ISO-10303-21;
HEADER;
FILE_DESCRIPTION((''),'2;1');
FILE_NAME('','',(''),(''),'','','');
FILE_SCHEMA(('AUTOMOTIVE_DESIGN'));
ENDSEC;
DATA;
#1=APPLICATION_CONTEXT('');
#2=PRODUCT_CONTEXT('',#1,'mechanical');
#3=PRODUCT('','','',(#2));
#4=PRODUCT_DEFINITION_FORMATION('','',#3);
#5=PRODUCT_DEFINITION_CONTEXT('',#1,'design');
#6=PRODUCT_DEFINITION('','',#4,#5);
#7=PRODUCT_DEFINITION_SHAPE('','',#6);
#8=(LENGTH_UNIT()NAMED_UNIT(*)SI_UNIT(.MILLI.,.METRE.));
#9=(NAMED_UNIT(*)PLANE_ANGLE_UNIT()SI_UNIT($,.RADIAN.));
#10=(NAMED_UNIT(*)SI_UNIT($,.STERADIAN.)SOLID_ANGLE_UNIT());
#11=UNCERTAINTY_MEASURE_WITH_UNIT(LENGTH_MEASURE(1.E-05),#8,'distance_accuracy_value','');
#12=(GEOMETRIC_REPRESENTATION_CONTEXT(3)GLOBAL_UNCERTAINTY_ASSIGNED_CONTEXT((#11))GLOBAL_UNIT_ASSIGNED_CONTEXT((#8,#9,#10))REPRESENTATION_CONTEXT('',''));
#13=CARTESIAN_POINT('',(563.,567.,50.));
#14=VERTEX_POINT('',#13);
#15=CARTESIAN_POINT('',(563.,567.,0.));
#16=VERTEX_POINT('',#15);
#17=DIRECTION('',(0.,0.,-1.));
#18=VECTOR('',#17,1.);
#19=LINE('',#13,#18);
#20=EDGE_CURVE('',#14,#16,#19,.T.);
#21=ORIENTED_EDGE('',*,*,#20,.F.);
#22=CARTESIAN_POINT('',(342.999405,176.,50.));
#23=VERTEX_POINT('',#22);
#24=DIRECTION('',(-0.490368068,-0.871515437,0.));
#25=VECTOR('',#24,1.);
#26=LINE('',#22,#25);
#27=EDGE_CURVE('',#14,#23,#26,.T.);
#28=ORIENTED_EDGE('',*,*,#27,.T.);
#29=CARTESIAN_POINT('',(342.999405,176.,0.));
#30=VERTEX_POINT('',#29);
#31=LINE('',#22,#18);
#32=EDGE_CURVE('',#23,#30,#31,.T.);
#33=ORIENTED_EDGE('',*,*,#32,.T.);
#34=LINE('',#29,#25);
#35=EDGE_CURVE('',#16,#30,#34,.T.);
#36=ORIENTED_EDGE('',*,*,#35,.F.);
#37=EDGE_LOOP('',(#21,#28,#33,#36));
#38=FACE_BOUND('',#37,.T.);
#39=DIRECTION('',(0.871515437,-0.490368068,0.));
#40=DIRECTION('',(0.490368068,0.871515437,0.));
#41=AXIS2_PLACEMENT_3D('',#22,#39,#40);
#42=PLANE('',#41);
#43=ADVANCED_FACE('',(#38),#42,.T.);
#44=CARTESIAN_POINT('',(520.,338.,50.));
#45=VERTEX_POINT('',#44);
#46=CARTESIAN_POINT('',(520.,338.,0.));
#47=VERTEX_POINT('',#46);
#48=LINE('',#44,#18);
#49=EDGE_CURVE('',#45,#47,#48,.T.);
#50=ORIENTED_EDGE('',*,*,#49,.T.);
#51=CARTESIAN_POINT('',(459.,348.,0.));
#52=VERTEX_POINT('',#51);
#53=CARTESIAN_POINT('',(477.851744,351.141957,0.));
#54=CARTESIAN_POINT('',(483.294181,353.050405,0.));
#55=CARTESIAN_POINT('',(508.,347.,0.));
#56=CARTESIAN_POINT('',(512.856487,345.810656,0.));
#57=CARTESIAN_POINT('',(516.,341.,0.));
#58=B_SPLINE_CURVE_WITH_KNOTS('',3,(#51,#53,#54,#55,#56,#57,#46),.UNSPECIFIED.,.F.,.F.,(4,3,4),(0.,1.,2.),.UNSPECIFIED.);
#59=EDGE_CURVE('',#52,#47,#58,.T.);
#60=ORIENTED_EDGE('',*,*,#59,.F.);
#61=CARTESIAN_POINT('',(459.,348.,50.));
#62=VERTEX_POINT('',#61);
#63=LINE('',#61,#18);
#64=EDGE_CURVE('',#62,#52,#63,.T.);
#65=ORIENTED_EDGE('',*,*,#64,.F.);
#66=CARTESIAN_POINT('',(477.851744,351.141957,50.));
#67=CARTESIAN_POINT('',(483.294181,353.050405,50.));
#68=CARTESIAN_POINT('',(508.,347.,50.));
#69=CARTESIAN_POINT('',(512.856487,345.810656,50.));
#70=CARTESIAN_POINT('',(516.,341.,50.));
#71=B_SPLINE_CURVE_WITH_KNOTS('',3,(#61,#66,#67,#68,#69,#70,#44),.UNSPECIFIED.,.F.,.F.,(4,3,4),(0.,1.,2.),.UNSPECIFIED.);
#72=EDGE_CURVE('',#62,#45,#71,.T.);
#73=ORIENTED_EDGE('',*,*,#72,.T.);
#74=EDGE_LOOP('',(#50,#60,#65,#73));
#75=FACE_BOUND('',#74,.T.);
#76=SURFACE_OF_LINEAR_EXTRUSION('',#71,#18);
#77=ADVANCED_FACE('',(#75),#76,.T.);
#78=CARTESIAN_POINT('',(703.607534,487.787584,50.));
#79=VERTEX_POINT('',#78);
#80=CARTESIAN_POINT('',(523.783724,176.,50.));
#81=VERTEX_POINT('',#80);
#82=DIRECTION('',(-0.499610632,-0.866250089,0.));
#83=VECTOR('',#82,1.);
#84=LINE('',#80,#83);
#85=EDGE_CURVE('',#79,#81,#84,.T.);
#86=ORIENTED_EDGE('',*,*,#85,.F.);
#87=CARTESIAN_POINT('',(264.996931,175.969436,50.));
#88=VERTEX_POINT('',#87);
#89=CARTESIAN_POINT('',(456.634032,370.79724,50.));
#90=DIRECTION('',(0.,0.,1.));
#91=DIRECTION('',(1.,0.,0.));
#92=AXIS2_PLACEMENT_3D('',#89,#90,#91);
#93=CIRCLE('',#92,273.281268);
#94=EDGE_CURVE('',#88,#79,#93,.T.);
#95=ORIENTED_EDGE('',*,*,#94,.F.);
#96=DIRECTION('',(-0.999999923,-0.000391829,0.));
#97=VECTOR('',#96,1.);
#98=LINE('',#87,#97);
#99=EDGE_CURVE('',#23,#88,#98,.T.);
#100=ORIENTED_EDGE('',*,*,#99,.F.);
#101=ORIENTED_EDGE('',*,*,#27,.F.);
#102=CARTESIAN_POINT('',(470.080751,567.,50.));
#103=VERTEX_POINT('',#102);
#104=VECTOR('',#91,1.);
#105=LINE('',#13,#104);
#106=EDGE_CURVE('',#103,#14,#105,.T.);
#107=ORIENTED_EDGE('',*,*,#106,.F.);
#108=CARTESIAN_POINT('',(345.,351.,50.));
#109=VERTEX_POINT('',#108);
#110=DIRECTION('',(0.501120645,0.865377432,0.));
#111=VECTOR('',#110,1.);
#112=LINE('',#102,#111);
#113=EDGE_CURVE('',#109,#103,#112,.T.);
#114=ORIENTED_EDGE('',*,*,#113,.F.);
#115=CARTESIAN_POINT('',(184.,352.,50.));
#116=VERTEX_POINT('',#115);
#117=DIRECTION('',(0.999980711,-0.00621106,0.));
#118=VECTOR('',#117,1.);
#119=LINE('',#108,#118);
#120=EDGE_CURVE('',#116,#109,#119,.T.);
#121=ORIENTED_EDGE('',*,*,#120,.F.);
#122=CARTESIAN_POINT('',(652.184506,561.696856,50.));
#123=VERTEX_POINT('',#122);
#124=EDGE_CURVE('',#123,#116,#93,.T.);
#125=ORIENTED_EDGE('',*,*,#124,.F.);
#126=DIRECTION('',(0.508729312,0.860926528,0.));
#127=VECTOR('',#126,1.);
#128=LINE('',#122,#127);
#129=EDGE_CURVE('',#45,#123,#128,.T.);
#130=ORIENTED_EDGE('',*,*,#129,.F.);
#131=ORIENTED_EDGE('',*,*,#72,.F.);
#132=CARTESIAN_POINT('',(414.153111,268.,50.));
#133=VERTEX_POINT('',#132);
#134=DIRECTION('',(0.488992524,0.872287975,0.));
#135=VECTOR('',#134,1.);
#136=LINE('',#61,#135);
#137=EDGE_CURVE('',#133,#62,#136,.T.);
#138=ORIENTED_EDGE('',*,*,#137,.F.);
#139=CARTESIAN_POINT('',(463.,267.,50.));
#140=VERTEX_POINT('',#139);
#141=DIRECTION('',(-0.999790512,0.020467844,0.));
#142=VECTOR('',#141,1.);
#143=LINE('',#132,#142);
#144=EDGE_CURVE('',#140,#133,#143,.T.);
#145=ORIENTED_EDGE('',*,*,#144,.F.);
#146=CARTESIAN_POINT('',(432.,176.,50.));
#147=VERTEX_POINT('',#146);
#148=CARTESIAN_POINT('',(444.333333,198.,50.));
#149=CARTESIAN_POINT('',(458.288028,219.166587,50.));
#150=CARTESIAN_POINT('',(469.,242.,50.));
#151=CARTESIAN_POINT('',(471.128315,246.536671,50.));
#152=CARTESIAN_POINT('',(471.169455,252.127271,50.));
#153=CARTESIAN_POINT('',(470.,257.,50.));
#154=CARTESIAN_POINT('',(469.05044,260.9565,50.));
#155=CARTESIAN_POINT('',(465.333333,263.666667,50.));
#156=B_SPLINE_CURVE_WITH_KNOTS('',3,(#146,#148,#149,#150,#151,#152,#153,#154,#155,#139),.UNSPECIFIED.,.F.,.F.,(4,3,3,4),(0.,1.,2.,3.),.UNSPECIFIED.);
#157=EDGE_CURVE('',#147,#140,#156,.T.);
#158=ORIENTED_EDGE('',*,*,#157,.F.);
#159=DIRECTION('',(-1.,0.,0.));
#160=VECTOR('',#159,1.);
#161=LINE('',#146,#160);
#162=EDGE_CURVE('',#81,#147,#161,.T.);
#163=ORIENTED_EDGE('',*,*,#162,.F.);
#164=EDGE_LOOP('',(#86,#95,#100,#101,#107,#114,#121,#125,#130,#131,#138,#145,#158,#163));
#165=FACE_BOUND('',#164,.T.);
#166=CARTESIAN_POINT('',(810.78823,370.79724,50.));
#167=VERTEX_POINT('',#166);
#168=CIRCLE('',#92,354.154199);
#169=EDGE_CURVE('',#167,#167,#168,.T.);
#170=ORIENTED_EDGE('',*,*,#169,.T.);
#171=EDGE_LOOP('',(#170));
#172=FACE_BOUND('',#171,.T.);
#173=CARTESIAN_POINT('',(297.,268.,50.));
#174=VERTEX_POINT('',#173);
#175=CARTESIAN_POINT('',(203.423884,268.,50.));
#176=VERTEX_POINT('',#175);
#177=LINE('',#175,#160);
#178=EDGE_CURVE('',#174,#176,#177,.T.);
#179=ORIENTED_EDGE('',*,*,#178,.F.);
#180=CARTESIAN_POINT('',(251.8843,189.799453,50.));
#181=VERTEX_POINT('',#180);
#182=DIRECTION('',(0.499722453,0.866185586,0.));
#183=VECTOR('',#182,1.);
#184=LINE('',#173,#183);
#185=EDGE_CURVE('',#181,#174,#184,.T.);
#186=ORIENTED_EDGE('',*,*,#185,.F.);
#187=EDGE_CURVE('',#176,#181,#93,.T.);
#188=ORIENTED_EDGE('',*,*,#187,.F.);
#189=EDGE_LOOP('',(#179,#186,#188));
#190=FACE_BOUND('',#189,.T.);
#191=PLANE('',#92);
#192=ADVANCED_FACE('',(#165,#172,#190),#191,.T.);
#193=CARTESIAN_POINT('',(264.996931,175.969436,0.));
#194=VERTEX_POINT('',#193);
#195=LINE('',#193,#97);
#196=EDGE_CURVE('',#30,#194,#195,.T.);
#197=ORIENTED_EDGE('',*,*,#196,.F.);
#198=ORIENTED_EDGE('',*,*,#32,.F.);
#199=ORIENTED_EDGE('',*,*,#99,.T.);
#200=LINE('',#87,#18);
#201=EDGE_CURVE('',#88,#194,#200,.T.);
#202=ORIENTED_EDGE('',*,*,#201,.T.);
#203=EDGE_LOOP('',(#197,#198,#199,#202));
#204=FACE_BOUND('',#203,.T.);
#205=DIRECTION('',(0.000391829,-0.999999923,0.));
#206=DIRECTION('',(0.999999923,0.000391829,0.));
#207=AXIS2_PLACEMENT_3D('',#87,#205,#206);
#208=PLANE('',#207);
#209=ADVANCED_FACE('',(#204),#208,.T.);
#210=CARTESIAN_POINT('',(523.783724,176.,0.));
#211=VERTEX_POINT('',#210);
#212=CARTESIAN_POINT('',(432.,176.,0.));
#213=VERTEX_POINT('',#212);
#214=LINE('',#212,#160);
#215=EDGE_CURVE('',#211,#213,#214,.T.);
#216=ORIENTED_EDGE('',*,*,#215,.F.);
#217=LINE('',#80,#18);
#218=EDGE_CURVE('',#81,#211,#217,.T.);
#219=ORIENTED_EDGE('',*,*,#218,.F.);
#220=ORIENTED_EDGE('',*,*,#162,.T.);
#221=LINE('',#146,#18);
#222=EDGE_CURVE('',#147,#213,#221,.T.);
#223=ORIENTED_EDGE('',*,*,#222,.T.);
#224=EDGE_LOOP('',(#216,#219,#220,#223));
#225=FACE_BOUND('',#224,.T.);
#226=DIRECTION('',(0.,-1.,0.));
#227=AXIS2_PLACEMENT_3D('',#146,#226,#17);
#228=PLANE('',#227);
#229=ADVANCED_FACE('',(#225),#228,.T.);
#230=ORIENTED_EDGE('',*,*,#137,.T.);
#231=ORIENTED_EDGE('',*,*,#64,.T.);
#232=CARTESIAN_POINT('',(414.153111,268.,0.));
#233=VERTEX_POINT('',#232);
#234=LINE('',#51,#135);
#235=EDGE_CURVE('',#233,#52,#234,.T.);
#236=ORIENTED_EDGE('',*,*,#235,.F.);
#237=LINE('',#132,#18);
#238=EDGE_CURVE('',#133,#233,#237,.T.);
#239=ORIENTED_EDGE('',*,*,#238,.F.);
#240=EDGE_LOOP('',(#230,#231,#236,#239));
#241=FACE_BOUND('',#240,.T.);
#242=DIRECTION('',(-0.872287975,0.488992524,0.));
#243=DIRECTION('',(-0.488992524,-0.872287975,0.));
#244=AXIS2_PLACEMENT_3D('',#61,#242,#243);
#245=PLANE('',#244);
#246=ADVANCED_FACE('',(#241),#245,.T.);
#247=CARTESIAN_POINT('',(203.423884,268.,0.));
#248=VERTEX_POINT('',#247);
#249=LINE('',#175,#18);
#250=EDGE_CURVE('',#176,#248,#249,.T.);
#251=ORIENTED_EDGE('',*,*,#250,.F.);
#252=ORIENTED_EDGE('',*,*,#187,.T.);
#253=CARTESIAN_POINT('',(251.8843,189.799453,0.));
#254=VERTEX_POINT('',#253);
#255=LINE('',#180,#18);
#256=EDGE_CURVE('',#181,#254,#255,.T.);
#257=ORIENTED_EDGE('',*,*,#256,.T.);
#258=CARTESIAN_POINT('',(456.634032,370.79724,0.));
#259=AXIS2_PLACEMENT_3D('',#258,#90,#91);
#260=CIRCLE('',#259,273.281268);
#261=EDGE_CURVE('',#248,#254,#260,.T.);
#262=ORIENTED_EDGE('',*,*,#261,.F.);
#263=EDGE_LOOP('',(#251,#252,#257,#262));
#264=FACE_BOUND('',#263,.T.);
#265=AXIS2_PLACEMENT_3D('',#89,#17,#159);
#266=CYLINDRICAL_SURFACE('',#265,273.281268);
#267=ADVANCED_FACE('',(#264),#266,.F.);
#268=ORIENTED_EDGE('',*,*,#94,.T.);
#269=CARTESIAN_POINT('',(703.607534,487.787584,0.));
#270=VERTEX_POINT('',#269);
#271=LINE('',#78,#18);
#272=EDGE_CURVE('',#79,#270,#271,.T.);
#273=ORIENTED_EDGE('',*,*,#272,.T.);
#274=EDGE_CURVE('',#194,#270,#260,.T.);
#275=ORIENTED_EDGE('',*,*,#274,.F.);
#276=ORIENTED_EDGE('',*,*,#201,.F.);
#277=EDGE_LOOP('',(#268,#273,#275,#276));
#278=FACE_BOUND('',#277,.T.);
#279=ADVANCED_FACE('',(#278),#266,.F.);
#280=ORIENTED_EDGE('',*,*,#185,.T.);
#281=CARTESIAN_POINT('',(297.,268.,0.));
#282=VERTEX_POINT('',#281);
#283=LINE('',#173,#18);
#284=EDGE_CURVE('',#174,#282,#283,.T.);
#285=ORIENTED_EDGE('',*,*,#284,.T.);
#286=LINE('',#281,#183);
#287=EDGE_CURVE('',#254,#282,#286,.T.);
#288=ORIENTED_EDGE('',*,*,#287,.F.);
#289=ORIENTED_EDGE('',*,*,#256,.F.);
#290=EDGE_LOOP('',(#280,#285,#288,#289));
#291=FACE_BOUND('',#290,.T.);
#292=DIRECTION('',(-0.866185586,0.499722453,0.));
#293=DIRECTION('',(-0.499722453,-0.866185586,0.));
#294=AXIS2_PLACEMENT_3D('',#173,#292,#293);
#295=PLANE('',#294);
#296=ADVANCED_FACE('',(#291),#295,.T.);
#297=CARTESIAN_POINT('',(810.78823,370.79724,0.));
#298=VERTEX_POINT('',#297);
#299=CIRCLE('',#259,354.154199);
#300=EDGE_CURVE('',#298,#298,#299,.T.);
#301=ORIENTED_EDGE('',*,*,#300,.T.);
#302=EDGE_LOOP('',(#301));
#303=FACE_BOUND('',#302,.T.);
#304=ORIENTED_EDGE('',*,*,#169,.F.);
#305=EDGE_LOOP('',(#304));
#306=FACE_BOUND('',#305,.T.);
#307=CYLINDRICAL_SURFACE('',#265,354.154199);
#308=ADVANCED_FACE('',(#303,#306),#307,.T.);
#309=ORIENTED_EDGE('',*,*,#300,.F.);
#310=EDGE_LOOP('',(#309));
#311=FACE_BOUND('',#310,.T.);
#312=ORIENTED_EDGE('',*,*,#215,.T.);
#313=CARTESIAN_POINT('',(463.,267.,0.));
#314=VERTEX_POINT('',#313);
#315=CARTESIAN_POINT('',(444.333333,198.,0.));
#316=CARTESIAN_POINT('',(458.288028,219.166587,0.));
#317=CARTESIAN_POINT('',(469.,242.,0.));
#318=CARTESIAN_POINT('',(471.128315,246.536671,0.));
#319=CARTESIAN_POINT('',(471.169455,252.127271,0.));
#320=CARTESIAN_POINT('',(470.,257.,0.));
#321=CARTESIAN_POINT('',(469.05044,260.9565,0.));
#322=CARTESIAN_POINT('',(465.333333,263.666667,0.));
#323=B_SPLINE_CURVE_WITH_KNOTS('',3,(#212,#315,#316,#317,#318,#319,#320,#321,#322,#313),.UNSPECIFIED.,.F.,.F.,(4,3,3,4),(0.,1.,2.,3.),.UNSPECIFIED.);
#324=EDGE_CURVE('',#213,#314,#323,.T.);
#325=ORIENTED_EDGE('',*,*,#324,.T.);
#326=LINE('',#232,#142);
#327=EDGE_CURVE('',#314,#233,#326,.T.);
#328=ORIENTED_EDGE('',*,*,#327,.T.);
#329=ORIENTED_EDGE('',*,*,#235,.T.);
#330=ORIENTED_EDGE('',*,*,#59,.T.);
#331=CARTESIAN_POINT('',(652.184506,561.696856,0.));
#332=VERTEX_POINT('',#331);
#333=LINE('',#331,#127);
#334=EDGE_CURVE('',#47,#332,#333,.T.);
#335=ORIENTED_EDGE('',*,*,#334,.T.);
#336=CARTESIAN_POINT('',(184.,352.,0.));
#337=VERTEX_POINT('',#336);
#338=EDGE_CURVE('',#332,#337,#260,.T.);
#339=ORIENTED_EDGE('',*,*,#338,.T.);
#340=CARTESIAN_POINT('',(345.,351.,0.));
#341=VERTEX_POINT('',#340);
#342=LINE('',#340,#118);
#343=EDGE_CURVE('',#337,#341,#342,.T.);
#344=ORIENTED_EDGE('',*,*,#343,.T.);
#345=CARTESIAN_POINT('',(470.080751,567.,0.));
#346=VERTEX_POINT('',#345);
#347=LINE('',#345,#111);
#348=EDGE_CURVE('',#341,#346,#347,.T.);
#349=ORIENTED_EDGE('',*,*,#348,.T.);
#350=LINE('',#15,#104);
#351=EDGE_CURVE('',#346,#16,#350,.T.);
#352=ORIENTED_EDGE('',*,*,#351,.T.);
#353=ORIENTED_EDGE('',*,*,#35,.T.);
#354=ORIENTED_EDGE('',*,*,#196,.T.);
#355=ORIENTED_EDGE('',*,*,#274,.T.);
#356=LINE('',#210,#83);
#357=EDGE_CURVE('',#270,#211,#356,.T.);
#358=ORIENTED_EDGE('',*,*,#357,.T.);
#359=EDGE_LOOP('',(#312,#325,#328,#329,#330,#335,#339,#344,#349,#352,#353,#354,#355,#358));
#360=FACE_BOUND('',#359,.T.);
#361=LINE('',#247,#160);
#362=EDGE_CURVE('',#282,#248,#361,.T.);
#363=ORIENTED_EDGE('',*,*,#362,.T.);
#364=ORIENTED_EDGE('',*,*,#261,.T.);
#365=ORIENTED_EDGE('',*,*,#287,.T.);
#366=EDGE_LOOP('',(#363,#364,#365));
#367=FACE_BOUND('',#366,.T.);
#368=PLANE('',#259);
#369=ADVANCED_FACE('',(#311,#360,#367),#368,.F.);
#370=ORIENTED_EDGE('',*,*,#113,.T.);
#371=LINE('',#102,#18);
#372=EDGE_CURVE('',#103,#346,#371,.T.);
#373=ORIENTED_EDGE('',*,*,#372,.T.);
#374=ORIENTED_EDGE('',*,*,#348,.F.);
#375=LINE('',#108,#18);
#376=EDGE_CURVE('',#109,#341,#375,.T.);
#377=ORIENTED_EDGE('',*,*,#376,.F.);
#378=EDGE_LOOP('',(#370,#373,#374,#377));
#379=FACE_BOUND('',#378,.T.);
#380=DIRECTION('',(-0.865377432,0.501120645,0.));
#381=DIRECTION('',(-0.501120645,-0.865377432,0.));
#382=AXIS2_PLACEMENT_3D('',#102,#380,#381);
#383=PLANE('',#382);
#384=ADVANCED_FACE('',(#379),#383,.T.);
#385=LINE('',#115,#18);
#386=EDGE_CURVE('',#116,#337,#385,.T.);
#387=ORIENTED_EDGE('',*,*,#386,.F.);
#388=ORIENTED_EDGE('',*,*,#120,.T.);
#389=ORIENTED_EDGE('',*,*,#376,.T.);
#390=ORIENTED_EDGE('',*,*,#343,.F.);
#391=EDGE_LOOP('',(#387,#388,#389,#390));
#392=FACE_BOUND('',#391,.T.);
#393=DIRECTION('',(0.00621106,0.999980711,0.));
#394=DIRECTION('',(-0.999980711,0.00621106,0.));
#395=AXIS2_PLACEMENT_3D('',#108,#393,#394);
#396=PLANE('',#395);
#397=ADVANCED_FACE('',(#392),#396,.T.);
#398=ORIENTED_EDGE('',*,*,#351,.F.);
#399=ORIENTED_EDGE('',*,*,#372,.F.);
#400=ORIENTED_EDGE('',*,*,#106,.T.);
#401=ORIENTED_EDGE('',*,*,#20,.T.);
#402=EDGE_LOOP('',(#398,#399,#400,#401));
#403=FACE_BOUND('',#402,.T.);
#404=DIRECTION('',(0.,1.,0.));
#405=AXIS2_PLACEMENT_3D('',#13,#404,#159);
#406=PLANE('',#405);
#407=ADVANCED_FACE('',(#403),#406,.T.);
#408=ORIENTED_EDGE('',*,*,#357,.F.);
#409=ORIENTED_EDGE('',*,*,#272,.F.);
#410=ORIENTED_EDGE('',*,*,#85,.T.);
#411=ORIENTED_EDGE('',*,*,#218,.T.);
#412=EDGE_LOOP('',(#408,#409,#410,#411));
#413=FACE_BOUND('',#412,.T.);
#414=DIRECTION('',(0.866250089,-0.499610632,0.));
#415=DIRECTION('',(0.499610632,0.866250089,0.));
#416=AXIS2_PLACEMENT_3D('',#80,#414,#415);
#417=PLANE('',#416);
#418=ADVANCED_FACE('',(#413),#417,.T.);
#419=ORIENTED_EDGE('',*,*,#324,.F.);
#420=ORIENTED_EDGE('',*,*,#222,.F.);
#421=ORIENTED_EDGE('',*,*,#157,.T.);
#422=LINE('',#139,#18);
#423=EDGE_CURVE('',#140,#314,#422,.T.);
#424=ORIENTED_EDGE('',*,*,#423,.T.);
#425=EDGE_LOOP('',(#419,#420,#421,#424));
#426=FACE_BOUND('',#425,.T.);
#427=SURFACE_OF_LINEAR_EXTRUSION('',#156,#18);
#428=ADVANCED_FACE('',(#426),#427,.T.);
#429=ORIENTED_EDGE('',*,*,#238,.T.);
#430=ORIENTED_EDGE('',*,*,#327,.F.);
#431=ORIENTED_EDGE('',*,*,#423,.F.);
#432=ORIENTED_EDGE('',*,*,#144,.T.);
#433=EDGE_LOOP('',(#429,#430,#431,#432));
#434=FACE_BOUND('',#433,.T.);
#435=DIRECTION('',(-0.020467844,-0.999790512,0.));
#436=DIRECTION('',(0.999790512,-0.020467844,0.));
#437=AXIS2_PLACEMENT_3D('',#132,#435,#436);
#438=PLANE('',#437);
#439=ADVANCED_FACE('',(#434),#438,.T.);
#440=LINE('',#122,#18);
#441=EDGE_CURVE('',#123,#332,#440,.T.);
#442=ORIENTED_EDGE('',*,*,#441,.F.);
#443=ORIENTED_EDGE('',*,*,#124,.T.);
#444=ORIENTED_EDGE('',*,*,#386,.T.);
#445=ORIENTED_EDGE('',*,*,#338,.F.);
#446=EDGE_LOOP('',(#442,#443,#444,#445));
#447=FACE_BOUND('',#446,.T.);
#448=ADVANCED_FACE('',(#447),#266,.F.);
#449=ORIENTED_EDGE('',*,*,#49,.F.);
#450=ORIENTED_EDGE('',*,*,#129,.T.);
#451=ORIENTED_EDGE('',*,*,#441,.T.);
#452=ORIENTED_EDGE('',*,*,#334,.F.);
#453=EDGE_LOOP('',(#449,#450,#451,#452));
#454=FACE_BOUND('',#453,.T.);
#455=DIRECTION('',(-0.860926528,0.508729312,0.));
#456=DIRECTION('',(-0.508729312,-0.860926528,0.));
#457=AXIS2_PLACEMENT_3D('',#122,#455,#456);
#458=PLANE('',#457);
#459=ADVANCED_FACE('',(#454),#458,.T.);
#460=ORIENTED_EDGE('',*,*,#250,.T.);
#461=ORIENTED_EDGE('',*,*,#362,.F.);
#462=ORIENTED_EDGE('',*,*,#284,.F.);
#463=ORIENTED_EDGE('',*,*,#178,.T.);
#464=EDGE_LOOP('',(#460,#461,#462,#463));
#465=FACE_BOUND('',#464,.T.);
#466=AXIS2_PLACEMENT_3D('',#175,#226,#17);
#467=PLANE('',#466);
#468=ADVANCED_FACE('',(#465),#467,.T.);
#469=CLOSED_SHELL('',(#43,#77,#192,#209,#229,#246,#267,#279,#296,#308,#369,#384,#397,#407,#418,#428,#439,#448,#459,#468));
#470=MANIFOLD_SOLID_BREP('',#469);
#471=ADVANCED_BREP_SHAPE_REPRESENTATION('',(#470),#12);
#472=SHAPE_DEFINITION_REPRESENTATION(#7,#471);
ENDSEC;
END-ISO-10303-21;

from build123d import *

# Parameters (mm, degrees)
SKETCH1_R           = 354.154198638
BOSS_EXTRUDE4_DEPTH = 50


with BuildPart() as part:
    # Sketch1 → Boss-Extrude4 (new body)
    with BuildSketch(Plane.XY):
        with Locations((456.634031844, 370.797239723)):
            Circle(SKETCH1_R)
        with BuildLine():
            Line((652.184505988, 561.696856288), (520, 338))
            add(Edge.make_bspline(
                [(520, 338), (516, 341), (512.856486558, 345.810656353), (508, 347), (483.294181497, 353.050404531), (477.851743634, 351.141957272), (459, 348)],
                knots=[0, 0, 0, 0, 1, 1, 1, 2, 2, 2, 2], degree=3))
            Line((459, 348), (414.15311107, 268.000000001))
            Line((414.15311107, 268.000000001), (463, 267))
            add(Edge.make_bspline(
                [(463, 267), (465.333333333, 263.666666667), (469.050440025, 260.956499894), (470, 257), (471.16945492, 252.127271165), (471.128314939, 246.536671316), (469, 242), (458.288028235, 219.166586501), (444.333333333, 198), (432, 176)],
                knots=[0, 0, 0, 0, 1, 1, 1, 2, 2, 2, 3, 3, 3, 3], degree=3))
            Line((432, 176), (523.783724069, 176))
            Line((523.783724069, 176), (703.607534398, 487.787583679))
            ThreePointArc((703.607534398, 487.787583679), (614.979125151, 148.065376335), (264.996930573, 175.96943637))
            Line((264.996930573, 175.96943637), (342.999405137, 176))
            Line((342.999405137, 176), (562.999999995, 567.000000012))
            Line((562.999999995, 567.000000012), (470.080751257, 567.000000012))
            Line((470.080751257, 567.000000012), (344.999999995, 351.000000012))
            Line((344.999999995, 351.000000012), (183.999999995, 352.000000012))
            ThreePointArc((183.999999995, 352.000000012), (344.926101955, 620.204516968), (652.184505988, 561.696856288))
        make_face(mode=Mode.SUBTRACT)
        with BuildLine():
            Line((203.423883848, 268.000000001), (297, 268.000000001))
            Line((297, 268.000000001), (251.884299831, 189.799453042))
            ThreePointArc((251.884299831, 189.799453042), (224.339726467, 226.845833922), (203.423883848, 268.000000001))
        make_face(mode=Mode.SUBTRACT)
    extrude(amount=BOSS_EXTRUDE4_DEPTH)


solid = part.part
